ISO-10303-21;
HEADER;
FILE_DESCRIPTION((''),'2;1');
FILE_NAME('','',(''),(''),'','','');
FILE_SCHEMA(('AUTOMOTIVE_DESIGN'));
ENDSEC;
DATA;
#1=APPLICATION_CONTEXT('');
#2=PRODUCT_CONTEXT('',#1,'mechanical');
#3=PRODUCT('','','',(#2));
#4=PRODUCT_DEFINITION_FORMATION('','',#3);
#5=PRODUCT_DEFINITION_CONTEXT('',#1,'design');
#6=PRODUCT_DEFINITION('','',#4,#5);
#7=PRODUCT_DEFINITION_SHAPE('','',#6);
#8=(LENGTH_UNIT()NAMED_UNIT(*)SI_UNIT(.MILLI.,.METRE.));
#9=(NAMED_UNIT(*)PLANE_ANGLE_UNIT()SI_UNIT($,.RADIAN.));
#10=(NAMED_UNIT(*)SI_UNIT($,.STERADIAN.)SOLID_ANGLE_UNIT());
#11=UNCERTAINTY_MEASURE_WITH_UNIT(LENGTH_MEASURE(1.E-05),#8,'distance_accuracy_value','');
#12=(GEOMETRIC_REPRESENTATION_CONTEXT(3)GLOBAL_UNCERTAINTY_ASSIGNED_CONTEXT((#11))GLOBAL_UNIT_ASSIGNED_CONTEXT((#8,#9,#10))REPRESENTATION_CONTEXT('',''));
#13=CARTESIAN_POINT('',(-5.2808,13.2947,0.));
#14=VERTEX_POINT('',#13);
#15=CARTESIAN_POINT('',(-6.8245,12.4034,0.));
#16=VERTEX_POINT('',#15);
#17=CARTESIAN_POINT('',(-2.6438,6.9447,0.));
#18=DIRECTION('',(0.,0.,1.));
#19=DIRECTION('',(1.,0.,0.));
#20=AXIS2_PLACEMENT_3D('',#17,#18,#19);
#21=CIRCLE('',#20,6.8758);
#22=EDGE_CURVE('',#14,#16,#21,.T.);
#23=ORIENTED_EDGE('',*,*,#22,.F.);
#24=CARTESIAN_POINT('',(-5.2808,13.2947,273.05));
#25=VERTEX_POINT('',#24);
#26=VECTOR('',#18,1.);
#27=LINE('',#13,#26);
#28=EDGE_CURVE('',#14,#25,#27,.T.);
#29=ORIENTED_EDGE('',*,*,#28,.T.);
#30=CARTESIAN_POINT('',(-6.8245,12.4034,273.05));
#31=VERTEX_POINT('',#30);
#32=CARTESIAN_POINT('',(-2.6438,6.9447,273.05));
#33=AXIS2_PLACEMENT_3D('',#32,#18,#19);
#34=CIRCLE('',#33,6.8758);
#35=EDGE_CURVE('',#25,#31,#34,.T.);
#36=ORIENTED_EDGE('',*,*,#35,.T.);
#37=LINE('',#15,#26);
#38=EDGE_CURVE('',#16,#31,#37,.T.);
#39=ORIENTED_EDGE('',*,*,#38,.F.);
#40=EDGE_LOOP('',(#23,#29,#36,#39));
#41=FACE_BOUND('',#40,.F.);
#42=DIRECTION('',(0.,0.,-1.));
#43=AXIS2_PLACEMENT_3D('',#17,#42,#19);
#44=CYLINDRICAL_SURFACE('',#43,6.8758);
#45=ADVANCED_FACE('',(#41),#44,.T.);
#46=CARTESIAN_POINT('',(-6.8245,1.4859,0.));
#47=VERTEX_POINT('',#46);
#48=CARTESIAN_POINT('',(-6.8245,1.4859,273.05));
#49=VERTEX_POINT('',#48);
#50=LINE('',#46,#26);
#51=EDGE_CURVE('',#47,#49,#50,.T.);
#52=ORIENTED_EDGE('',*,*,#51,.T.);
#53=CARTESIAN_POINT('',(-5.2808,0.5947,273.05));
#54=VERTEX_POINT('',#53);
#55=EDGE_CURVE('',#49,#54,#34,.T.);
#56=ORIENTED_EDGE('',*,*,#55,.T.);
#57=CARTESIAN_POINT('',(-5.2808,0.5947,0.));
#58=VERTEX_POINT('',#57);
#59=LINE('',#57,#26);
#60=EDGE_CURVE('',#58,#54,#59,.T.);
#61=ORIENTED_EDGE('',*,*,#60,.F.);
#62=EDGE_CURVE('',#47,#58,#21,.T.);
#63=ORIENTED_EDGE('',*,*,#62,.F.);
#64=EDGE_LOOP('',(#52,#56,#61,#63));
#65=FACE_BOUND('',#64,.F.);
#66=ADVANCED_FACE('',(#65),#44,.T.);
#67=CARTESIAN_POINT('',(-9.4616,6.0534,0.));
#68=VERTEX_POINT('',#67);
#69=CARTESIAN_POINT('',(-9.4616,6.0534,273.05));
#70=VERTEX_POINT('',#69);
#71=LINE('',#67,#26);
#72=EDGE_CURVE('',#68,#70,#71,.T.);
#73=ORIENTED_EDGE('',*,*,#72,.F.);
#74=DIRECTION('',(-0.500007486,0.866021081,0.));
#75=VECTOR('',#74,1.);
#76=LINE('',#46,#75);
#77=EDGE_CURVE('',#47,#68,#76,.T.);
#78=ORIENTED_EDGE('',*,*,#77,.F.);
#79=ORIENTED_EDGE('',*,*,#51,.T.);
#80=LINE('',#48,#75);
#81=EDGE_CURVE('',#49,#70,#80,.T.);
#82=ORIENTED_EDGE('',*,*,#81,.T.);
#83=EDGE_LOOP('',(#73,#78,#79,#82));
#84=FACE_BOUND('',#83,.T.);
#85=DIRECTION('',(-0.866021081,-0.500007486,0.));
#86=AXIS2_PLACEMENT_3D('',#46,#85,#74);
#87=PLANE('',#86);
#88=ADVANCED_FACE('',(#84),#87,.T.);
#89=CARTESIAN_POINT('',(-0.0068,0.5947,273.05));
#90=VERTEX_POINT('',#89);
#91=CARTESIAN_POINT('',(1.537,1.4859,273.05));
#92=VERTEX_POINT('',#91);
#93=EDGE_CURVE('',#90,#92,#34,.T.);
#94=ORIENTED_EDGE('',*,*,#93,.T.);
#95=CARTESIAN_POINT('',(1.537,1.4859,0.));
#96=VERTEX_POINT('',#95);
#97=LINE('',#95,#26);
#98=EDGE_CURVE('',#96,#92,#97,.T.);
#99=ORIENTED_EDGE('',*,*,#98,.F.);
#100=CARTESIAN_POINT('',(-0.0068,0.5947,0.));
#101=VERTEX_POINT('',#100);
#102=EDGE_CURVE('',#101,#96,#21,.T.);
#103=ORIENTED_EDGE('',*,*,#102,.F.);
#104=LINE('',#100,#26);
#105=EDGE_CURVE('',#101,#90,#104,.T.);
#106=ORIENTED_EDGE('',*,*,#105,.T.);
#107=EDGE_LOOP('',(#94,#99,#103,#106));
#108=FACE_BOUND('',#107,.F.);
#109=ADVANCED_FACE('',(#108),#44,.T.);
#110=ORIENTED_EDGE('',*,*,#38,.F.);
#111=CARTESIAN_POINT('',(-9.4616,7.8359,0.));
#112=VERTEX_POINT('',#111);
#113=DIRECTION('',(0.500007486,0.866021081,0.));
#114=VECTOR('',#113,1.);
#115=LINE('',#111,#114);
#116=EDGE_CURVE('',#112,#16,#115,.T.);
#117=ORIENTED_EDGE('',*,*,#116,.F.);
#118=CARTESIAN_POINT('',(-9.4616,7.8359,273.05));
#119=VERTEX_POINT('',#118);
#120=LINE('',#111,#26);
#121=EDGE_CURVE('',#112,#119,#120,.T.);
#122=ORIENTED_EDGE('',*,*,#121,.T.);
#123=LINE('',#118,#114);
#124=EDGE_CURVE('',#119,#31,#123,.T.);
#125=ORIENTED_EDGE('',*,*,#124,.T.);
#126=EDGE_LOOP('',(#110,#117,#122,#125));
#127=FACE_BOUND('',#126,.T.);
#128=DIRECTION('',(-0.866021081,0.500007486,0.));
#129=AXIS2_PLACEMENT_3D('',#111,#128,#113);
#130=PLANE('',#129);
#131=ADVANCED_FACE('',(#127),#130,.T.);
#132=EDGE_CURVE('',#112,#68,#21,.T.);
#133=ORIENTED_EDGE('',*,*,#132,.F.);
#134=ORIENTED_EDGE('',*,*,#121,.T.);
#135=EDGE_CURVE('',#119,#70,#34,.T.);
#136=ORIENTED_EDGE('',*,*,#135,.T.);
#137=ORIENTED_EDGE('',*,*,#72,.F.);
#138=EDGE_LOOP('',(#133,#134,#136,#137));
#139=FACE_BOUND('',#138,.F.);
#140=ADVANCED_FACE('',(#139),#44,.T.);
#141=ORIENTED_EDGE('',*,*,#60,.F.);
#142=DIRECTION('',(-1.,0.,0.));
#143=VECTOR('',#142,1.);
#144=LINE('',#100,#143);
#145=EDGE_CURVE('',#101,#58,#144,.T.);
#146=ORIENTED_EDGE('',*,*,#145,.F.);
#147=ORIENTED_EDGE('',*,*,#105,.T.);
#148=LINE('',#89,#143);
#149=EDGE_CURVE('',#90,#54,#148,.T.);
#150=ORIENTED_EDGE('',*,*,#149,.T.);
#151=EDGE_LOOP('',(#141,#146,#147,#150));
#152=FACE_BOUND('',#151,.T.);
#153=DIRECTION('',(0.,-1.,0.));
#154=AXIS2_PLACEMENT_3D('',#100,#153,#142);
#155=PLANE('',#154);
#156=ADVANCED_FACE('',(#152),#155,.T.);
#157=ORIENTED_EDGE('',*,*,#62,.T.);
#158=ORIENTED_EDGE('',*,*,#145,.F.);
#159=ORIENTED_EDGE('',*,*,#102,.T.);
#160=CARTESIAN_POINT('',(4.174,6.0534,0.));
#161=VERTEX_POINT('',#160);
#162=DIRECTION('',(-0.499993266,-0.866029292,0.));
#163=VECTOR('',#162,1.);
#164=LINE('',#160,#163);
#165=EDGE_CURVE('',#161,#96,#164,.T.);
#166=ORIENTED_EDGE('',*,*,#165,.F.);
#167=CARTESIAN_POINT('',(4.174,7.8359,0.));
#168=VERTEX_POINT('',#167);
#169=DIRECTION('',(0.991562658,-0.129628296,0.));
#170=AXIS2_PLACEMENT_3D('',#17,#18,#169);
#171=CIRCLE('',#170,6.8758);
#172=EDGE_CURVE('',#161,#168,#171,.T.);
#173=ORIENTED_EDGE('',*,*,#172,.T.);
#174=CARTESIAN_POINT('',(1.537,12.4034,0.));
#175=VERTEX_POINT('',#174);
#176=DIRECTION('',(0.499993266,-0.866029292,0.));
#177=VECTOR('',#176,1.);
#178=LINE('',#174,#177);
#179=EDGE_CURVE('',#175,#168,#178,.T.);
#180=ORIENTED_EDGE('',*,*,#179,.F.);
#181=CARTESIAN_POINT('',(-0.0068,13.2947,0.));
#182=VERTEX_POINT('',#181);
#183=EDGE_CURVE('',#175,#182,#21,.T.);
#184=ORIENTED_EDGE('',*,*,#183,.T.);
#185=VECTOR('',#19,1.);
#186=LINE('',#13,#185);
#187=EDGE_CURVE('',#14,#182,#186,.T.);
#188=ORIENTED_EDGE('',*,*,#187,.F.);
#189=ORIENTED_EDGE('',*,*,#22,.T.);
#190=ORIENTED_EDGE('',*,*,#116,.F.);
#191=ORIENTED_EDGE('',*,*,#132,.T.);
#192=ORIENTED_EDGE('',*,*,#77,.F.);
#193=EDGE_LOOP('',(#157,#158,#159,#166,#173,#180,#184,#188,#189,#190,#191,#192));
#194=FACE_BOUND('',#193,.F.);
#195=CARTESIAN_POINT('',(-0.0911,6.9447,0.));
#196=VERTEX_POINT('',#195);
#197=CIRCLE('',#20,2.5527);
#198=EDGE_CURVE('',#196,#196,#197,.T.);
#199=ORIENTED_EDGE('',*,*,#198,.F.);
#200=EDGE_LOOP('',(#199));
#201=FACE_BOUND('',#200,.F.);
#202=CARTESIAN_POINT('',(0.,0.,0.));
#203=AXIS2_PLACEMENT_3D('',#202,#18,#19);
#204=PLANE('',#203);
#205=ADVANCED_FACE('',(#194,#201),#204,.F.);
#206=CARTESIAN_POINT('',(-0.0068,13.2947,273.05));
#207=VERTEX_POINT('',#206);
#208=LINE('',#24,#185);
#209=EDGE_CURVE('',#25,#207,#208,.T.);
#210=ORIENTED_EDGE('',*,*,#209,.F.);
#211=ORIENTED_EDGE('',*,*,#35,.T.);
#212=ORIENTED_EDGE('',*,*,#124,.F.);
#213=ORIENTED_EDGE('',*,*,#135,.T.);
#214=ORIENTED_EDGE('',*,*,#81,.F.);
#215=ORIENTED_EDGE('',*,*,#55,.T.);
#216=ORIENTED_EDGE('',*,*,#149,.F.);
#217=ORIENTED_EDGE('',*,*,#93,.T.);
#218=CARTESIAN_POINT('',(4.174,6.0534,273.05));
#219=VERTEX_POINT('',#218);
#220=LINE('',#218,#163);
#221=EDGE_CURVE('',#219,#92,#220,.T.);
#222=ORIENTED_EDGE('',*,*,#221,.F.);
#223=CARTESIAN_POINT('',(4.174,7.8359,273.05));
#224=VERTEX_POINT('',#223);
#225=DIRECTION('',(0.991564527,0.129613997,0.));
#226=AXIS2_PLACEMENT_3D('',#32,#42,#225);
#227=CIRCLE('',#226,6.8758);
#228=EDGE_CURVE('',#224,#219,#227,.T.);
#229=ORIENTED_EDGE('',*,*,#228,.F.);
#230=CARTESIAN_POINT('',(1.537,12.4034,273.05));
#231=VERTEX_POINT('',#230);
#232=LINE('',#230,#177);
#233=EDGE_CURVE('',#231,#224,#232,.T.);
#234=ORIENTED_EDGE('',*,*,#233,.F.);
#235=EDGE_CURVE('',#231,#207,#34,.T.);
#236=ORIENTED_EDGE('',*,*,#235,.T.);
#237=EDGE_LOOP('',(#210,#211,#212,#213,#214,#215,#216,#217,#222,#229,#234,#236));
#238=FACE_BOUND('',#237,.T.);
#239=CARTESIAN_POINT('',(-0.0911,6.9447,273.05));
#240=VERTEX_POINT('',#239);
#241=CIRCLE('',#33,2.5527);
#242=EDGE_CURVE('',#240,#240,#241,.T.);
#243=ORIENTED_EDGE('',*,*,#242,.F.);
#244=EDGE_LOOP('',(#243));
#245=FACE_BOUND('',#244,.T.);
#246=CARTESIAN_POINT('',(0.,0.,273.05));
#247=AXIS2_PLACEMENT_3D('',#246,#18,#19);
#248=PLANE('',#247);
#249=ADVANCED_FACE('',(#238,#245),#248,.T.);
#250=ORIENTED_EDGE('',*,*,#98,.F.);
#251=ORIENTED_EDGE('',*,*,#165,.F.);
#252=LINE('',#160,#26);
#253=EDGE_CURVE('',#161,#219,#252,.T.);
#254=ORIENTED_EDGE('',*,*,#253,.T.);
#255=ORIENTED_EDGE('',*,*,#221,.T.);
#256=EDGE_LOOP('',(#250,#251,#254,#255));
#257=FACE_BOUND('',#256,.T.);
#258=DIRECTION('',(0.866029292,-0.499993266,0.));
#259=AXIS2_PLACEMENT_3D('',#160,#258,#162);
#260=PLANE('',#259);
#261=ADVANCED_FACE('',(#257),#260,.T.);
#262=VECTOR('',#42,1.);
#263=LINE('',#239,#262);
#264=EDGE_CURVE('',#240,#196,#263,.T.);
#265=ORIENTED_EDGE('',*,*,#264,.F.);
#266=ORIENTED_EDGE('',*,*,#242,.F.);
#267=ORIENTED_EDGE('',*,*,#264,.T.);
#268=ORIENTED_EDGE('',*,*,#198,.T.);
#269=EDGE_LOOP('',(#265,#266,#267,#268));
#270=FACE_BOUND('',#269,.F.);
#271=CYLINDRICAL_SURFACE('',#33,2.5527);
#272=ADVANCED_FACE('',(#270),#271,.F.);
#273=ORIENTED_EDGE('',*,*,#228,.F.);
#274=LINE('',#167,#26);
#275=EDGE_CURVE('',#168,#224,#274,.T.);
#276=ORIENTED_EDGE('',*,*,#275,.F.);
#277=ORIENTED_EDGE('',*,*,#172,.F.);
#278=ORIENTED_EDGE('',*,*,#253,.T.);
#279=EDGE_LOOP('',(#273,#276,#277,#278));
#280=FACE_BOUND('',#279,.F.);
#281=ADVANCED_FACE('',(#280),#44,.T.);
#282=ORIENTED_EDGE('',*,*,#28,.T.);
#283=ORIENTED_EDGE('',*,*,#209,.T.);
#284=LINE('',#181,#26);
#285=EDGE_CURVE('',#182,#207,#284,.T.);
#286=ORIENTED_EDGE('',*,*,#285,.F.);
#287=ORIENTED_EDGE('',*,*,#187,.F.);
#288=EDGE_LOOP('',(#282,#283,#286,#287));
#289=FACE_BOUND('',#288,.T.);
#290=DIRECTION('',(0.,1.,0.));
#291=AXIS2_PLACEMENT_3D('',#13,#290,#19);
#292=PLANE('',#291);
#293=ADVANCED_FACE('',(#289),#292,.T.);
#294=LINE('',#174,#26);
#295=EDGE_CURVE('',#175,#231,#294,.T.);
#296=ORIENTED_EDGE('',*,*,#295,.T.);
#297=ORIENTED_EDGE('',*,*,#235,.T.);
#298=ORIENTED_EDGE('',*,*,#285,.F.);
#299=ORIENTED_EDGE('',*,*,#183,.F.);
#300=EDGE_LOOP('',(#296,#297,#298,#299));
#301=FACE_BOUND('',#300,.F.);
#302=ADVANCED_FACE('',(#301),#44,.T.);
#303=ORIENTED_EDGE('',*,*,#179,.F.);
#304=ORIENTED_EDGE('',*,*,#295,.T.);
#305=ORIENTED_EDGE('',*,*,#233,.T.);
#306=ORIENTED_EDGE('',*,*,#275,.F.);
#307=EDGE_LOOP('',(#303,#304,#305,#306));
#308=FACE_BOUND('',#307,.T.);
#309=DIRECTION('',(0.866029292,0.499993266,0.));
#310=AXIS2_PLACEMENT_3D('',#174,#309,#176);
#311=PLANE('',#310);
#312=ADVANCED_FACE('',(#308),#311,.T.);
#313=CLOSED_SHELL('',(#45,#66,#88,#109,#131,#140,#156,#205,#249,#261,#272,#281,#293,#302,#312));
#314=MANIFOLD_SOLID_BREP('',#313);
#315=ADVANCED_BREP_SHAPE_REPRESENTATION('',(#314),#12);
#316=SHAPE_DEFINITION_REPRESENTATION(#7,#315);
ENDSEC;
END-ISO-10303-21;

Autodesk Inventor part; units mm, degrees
ref_plane "YZ Plane" through (0, 0, 0) normal (1, 0, 0) x (0, 1, 0)
ref_plane "XZ Plane" through (0, 0, 0) normal (0, 1, 0) x (-1, 0, 0)
ref_plane "XY Plane" through (0, 0, 0) normal (0, 0, 1) x (1, 0, 0)
sketch "Sketch1" plane through (0, 0, 0) normal (0, 0, 1) x (1, 0, 0)
  circle A0 centre (-2.6438, 6.9447) radius 6.8758
  line L0 (-9.4616, 7.8359) -> (-6.8245, 12.4034)
  line L1 (-6.8245, 1.4859) -> (-9.4616, 6.0534)
  line L2 (-0.0068, 0.5947) -> (-5.2808, 0.5947)
  line L3 (4.174, 6.0534) -> (1.537, 1.4859)
  line L4 (1.537, 12.4034) -> (4.174, 7.8359)
  line L5 (-5.2808, 13.2947) -> (-0.0068, 13.2947)
  point P0 (0, 0)
  point P1 (1.537, 1.4859)
  dimension "d0" = 13.7516
  dimension "d4" = 360
extrude "Extrusion1" add sketch "Sketch1" along normal blind 273.05 contours A0 L3 L2 L1 L0 L5 L4
sketch "Sketch2" plane through (0, 0, 273.05) normal (0, 0, 1) x (1, 0, 0)
  circle A0 centre (-2.6438, 6.9447) radius 2.5527
  line L0 (-5.2808, 0.5947) -> (-0.0068, 0.5947) projected
  line L1 (-2.6438, 6.9447) -> (-5.2808, 0.5947) construction
  line L2 (-2.6438, 6.9447) -> (-0.0068, 0.5947) construction
  point P0 (0, 0)
  dimension "d8" = 5.1054
  dimension "d9" = 6.35
extrude "Extrusion2" cut sketch "Sketch2" against normal blind 273.05
equation "\"d6\" = d5"
equation "\"d10\" = d5"
equation "\"d5\" = 273.05"
properties part number "6.5 shaft"
